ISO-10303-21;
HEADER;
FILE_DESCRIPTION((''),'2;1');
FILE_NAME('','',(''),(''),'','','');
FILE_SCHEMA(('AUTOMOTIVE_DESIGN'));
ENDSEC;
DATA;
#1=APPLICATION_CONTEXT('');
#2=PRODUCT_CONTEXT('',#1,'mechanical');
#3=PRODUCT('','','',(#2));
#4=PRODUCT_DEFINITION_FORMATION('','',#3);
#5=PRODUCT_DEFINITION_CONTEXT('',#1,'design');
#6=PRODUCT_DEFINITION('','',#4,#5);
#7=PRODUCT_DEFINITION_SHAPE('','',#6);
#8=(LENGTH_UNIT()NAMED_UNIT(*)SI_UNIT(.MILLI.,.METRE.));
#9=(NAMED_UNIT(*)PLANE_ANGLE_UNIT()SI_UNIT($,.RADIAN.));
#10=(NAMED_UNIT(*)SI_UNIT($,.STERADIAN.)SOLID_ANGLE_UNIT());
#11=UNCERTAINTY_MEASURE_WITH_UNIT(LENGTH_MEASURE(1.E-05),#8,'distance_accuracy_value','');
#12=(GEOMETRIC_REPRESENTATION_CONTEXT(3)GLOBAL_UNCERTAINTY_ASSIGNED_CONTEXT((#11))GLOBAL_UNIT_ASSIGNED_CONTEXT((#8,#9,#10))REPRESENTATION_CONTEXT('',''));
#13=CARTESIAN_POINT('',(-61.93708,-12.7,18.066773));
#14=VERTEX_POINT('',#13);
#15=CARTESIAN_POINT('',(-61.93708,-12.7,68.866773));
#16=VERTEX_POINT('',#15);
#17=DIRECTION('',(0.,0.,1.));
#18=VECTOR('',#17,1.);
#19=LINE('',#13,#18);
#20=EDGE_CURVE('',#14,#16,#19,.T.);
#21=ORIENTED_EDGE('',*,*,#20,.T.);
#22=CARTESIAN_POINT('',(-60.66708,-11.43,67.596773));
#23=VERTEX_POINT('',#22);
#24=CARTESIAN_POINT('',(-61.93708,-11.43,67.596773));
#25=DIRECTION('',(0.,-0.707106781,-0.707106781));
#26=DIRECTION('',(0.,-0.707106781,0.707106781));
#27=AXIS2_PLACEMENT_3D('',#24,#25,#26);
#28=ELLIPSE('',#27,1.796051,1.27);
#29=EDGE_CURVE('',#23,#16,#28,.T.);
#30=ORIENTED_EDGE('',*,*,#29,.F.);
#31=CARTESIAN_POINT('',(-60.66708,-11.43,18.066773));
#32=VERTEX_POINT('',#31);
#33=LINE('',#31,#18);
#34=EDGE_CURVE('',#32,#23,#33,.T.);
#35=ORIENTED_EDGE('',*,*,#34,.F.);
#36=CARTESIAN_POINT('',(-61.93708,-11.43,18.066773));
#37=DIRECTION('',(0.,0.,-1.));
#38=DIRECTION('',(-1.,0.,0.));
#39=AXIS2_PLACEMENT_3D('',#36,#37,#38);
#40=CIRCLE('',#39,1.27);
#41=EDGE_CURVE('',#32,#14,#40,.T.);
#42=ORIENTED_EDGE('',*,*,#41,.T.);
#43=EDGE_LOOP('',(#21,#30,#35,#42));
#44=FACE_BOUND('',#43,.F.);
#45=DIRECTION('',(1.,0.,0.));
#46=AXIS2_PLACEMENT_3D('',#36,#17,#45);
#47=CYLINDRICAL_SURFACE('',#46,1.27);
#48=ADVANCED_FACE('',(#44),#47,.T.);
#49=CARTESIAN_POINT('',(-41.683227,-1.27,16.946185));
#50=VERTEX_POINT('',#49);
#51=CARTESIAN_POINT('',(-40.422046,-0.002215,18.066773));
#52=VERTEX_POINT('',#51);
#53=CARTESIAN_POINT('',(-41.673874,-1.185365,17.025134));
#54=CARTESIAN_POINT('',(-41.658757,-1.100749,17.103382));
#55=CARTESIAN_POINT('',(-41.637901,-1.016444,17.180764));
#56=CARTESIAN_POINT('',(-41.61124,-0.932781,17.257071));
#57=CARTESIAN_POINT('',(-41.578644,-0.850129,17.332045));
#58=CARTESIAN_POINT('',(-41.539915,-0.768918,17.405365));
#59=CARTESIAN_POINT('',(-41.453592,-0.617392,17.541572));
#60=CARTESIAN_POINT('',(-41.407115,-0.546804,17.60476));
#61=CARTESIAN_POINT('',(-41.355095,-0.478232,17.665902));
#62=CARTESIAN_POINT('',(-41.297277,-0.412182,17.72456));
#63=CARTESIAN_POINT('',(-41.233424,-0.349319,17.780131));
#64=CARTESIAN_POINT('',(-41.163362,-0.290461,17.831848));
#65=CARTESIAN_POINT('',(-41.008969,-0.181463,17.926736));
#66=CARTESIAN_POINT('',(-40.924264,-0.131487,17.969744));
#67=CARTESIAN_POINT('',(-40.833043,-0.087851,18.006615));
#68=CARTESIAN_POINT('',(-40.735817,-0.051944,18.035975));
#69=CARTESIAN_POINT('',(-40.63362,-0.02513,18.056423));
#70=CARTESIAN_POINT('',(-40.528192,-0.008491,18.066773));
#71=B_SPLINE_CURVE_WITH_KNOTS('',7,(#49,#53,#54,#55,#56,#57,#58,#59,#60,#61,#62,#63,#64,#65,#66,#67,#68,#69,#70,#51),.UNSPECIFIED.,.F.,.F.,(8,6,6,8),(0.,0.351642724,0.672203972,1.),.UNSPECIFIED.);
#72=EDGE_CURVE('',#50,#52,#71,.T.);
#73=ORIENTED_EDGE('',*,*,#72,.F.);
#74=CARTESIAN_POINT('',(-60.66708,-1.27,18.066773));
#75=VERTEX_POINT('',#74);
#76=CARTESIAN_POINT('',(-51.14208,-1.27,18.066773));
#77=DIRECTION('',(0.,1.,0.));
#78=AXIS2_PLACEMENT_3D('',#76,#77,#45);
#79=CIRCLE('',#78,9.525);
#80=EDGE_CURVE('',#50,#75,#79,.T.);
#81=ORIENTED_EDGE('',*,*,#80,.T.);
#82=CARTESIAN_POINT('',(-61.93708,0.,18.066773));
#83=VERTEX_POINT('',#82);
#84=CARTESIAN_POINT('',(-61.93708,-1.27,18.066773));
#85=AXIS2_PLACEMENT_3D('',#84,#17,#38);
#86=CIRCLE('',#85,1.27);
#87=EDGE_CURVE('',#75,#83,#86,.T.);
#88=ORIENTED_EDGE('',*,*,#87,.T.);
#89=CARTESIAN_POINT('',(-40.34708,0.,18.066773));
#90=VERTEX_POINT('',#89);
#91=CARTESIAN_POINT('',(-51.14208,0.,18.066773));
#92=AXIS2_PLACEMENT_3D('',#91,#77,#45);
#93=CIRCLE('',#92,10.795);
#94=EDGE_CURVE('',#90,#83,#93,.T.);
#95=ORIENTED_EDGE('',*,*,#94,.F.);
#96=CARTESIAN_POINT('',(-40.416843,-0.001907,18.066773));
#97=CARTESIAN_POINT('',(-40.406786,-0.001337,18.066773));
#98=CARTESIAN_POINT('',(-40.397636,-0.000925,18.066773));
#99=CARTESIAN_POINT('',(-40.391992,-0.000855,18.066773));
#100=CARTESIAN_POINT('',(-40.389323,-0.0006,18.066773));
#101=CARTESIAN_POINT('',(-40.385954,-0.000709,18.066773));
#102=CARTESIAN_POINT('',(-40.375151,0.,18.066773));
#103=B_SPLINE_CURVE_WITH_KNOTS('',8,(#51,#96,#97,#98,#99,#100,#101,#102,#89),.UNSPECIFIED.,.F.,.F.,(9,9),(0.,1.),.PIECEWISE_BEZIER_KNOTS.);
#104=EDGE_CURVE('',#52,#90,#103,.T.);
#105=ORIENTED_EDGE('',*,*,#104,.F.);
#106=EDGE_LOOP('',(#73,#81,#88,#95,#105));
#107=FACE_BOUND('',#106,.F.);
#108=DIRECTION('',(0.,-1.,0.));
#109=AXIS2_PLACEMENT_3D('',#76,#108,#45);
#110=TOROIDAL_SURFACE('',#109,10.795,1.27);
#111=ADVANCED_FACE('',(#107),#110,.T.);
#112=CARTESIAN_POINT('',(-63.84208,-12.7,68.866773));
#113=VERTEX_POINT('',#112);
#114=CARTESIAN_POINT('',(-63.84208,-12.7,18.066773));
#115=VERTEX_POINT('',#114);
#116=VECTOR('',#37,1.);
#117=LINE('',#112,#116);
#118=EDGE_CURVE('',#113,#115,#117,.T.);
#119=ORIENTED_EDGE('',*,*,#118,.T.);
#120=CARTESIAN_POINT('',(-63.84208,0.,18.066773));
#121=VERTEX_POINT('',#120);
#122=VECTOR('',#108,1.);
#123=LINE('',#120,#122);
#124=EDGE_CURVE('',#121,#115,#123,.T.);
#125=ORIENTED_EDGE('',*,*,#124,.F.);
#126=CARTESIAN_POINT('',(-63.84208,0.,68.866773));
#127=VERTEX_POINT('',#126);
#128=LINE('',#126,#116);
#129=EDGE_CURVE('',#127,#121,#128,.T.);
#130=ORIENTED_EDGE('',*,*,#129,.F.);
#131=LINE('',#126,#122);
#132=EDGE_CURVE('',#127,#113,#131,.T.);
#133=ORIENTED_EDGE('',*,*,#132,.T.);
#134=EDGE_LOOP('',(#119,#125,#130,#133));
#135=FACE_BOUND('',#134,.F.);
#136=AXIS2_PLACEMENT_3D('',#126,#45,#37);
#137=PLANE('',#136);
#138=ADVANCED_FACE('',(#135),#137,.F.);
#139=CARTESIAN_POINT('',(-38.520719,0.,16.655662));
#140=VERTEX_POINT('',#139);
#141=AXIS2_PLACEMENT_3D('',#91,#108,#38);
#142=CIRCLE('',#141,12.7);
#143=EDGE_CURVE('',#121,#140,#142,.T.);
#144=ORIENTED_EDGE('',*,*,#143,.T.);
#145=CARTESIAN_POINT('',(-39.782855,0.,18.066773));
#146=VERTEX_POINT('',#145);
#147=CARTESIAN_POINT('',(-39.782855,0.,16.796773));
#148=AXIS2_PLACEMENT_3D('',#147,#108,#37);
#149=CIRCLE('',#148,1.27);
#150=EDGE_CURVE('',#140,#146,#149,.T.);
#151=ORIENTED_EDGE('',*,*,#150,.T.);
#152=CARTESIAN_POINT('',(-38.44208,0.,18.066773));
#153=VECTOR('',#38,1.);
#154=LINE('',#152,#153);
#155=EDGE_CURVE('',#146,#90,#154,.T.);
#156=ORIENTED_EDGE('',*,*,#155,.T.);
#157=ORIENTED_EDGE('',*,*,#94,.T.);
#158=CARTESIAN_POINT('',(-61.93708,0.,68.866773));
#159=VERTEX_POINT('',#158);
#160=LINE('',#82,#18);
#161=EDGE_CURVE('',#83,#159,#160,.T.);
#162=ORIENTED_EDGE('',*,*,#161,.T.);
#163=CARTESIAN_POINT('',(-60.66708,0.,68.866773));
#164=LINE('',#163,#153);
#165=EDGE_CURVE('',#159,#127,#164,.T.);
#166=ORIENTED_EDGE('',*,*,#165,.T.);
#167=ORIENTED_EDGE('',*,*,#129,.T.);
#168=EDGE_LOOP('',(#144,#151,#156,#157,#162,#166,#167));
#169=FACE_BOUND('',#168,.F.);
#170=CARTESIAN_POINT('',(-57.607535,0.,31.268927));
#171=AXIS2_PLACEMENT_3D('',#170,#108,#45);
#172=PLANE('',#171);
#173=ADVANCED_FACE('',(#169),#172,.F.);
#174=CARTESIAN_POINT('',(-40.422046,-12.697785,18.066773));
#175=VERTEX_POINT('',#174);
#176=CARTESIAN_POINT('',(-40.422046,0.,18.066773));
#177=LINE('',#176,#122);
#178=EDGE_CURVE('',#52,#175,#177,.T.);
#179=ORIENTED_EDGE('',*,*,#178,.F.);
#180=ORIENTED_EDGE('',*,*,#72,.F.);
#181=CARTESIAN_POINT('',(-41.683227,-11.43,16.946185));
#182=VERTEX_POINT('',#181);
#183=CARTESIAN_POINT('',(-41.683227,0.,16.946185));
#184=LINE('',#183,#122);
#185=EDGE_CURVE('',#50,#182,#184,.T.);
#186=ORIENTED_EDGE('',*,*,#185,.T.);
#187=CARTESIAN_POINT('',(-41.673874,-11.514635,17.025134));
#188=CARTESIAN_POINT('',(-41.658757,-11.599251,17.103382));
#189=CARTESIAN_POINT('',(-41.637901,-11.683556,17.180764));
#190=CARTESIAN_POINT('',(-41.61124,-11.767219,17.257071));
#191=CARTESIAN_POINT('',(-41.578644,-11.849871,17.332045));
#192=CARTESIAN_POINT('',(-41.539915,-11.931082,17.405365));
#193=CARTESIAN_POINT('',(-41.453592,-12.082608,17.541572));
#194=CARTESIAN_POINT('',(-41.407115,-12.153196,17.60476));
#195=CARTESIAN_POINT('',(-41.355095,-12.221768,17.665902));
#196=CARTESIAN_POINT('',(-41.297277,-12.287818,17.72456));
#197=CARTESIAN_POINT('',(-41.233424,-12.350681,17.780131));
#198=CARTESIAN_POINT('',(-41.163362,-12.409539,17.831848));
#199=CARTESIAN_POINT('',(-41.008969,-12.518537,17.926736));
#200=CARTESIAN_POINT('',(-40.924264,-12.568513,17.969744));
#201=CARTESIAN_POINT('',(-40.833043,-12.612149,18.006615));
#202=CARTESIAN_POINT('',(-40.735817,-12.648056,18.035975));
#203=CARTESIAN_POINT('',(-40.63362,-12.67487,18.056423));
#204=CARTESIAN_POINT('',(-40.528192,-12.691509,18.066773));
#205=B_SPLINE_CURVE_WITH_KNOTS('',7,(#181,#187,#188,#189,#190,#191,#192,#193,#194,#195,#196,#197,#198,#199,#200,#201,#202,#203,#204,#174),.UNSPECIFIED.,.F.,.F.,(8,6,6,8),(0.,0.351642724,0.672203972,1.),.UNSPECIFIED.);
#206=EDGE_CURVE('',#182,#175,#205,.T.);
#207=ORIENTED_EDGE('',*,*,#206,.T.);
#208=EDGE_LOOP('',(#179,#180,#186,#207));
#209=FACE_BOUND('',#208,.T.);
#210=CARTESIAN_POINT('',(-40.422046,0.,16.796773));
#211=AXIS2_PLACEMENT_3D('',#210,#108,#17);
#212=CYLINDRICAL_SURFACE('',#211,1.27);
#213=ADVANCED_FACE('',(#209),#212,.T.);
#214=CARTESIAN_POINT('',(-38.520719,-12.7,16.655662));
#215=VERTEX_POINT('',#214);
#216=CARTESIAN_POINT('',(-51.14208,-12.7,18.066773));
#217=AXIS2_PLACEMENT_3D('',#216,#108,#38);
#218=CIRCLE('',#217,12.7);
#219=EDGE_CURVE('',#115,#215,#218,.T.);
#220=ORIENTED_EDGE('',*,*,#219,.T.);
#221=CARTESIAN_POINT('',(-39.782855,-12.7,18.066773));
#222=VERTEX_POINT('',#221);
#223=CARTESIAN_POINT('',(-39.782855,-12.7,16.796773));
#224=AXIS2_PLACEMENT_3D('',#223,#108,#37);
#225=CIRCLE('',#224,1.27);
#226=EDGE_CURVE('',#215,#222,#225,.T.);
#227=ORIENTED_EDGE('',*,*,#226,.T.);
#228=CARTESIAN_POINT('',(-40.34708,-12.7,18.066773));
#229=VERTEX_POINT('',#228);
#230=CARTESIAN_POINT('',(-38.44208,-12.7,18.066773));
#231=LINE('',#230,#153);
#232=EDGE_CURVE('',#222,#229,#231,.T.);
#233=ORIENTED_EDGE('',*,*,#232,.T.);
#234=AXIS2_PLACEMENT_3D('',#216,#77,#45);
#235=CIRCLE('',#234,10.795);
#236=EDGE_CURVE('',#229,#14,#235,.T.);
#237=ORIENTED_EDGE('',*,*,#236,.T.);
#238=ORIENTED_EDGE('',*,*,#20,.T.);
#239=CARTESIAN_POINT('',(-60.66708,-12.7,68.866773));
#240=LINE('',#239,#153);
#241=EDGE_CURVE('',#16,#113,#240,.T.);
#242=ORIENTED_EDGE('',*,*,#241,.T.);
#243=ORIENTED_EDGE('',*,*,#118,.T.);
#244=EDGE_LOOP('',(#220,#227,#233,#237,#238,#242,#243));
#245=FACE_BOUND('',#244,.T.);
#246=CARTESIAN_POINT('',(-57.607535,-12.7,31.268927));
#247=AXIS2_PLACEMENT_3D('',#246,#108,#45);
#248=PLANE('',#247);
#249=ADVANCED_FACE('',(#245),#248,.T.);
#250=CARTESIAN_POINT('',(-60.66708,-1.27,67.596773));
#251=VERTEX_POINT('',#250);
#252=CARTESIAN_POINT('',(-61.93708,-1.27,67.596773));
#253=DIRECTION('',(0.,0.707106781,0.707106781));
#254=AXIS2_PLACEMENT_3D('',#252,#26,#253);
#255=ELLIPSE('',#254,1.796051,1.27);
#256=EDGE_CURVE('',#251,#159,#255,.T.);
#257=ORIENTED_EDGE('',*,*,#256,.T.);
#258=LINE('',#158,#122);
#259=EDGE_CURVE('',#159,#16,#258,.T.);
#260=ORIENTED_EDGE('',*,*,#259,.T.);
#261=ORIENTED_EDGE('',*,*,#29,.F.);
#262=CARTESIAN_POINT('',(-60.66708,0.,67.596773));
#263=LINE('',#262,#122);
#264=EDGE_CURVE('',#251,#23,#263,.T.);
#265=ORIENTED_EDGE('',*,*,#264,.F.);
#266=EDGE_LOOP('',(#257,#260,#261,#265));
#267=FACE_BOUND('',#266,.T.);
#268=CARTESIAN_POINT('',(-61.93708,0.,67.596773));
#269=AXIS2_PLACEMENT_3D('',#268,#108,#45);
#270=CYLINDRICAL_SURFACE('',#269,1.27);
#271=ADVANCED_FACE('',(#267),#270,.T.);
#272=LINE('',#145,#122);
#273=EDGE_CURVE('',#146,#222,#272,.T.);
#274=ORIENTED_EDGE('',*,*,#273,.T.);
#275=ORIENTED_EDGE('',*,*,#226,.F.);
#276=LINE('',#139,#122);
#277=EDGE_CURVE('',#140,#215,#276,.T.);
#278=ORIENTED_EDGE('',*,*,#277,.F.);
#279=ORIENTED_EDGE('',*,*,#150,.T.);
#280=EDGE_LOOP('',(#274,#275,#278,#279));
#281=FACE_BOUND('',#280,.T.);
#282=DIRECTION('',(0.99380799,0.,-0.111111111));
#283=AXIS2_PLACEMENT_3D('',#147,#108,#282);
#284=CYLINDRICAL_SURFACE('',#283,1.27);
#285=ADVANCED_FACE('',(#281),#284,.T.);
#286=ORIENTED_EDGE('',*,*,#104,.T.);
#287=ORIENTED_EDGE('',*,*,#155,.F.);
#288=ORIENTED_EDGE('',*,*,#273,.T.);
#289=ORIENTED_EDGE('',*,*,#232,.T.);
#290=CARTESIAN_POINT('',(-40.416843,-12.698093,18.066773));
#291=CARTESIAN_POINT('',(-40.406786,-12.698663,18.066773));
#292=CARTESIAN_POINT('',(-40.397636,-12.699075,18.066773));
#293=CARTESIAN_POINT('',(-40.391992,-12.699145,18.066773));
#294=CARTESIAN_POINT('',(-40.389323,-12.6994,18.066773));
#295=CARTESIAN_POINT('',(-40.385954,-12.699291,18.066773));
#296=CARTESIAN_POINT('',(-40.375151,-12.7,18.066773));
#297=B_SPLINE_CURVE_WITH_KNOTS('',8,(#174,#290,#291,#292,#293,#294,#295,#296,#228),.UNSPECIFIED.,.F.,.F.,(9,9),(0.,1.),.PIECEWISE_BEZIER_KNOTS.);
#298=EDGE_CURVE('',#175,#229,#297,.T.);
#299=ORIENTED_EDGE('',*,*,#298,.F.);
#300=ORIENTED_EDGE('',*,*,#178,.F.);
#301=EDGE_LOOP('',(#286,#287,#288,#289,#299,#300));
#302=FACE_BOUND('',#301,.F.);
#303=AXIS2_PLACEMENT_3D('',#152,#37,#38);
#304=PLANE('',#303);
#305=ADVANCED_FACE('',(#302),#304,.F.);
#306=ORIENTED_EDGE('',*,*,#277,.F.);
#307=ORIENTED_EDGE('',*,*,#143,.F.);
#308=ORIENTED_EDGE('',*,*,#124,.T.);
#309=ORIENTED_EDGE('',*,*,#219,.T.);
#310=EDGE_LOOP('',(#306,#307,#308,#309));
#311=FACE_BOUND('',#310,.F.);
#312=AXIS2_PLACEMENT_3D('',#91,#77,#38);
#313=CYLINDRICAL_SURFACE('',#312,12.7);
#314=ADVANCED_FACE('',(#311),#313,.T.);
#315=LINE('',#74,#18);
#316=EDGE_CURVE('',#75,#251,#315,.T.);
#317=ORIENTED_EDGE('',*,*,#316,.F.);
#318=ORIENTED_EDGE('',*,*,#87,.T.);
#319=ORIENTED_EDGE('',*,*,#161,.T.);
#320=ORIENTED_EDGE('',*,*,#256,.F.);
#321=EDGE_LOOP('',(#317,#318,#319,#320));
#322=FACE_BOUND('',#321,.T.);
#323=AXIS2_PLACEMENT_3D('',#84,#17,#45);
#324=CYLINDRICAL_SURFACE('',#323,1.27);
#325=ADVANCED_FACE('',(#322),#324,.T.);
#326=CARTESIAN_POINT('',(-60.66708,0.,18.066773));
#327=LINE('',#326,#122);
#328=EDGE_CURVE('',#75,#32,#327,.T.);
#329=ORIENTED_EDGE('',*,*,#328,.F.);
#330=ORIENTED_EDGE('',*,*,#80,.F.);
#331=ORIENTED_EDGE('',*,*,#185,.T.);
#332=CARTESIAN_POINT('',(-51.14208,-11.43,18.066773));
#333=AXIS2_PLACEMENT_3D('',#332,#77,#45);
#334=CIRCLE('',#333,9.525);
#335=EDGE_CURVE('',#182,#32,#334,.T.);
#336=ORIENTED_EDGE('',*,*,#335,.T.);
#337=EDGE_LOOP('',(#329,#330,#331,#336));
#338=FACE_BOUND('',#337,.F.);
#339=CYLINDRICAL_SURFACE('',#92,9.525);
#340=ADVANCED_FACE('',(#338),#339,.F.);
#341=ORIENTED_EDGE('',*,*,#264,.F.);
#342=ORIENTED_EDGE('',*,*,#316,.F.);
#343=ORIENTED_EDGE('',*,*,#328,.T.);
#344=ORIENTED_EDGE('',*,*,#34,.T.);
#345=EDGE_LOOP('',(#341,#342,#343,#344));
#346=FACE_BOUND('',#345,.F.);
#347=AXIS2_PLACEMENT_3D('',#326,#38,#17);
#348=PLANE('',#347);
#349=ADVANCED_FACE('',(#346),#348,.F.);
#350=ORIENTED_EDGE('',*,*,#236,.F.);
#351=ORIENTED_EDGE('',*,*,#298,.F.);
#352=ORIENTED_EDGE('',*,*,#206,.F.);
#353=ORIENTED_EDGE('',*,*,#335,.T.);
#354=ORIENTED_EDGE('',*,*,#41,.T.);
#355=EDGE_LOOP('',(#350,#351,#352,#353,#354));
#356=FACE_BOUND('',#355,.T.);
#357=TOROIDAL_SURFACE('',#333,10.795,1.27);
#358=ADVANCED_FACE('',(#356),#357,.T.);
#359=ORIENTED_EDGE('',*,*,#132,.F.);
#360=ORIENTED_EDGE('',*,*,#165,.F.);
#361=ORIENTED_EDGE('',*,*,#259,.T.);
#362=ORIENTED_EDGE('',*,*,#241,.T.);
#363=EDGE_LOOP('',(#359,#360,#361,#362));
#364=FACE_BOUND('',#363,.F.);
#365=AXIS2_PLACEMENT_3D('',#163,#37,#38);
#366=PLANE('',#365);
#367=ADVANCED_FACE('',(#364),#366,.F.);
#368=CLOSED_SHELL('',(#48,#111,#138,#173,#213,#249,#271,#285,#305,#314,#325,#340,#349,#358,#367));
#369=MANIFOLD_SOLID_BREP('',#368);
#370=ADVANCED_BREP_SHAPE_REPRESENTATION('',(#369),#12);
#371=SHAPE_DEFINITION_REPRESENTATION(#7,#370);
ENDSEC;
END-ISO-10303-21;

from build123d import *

# Parameters (mm, degrees)
F1_DEPTH = 12.7
F2_R     = 1.27


with BuildPart() as f1:
    # F0 (on Front) → F1 (new body)
    with BuildSketch(Plane.XZ):
        with BuildLine():
            Line((-60.66708, 18.066773), (-60.66708, 68.866773))
            Line((-60.66708, 68.866773), (-63.84208, 68.866773))
            Line((-63.84208, 68.866773), (-63.84208, 18.066773))
            ThreePointArc((-63.84208, 18.066773), (-51.14208, 5.366773), (-38.44208, 18.066773))
            Line((-38.44208, 18.066773), (-41.61708, 18.066773))
            ThreePointArc((-41.61708, 18.066773), (-51.14208, 8.541773), (-60.66708, 18.066773))
        make_face()
    extrude(amount=F1_DEPTH)

    # F2
    f2_edges = [f1.edges().sort_by_distance(p)[0] for p in [
        (-60.66708, -12.7, 43.466773),
        (-60.66708, 0, 43.466773),
        (-38.44208, -6.35, 18.066773),
        (-41.61708, -6.35, 18.066773),
        (-60.66708, -6.35, 68.866773),
    ]]
    fillet(f2_edges, radius=F2_R)


solid = f1.part
